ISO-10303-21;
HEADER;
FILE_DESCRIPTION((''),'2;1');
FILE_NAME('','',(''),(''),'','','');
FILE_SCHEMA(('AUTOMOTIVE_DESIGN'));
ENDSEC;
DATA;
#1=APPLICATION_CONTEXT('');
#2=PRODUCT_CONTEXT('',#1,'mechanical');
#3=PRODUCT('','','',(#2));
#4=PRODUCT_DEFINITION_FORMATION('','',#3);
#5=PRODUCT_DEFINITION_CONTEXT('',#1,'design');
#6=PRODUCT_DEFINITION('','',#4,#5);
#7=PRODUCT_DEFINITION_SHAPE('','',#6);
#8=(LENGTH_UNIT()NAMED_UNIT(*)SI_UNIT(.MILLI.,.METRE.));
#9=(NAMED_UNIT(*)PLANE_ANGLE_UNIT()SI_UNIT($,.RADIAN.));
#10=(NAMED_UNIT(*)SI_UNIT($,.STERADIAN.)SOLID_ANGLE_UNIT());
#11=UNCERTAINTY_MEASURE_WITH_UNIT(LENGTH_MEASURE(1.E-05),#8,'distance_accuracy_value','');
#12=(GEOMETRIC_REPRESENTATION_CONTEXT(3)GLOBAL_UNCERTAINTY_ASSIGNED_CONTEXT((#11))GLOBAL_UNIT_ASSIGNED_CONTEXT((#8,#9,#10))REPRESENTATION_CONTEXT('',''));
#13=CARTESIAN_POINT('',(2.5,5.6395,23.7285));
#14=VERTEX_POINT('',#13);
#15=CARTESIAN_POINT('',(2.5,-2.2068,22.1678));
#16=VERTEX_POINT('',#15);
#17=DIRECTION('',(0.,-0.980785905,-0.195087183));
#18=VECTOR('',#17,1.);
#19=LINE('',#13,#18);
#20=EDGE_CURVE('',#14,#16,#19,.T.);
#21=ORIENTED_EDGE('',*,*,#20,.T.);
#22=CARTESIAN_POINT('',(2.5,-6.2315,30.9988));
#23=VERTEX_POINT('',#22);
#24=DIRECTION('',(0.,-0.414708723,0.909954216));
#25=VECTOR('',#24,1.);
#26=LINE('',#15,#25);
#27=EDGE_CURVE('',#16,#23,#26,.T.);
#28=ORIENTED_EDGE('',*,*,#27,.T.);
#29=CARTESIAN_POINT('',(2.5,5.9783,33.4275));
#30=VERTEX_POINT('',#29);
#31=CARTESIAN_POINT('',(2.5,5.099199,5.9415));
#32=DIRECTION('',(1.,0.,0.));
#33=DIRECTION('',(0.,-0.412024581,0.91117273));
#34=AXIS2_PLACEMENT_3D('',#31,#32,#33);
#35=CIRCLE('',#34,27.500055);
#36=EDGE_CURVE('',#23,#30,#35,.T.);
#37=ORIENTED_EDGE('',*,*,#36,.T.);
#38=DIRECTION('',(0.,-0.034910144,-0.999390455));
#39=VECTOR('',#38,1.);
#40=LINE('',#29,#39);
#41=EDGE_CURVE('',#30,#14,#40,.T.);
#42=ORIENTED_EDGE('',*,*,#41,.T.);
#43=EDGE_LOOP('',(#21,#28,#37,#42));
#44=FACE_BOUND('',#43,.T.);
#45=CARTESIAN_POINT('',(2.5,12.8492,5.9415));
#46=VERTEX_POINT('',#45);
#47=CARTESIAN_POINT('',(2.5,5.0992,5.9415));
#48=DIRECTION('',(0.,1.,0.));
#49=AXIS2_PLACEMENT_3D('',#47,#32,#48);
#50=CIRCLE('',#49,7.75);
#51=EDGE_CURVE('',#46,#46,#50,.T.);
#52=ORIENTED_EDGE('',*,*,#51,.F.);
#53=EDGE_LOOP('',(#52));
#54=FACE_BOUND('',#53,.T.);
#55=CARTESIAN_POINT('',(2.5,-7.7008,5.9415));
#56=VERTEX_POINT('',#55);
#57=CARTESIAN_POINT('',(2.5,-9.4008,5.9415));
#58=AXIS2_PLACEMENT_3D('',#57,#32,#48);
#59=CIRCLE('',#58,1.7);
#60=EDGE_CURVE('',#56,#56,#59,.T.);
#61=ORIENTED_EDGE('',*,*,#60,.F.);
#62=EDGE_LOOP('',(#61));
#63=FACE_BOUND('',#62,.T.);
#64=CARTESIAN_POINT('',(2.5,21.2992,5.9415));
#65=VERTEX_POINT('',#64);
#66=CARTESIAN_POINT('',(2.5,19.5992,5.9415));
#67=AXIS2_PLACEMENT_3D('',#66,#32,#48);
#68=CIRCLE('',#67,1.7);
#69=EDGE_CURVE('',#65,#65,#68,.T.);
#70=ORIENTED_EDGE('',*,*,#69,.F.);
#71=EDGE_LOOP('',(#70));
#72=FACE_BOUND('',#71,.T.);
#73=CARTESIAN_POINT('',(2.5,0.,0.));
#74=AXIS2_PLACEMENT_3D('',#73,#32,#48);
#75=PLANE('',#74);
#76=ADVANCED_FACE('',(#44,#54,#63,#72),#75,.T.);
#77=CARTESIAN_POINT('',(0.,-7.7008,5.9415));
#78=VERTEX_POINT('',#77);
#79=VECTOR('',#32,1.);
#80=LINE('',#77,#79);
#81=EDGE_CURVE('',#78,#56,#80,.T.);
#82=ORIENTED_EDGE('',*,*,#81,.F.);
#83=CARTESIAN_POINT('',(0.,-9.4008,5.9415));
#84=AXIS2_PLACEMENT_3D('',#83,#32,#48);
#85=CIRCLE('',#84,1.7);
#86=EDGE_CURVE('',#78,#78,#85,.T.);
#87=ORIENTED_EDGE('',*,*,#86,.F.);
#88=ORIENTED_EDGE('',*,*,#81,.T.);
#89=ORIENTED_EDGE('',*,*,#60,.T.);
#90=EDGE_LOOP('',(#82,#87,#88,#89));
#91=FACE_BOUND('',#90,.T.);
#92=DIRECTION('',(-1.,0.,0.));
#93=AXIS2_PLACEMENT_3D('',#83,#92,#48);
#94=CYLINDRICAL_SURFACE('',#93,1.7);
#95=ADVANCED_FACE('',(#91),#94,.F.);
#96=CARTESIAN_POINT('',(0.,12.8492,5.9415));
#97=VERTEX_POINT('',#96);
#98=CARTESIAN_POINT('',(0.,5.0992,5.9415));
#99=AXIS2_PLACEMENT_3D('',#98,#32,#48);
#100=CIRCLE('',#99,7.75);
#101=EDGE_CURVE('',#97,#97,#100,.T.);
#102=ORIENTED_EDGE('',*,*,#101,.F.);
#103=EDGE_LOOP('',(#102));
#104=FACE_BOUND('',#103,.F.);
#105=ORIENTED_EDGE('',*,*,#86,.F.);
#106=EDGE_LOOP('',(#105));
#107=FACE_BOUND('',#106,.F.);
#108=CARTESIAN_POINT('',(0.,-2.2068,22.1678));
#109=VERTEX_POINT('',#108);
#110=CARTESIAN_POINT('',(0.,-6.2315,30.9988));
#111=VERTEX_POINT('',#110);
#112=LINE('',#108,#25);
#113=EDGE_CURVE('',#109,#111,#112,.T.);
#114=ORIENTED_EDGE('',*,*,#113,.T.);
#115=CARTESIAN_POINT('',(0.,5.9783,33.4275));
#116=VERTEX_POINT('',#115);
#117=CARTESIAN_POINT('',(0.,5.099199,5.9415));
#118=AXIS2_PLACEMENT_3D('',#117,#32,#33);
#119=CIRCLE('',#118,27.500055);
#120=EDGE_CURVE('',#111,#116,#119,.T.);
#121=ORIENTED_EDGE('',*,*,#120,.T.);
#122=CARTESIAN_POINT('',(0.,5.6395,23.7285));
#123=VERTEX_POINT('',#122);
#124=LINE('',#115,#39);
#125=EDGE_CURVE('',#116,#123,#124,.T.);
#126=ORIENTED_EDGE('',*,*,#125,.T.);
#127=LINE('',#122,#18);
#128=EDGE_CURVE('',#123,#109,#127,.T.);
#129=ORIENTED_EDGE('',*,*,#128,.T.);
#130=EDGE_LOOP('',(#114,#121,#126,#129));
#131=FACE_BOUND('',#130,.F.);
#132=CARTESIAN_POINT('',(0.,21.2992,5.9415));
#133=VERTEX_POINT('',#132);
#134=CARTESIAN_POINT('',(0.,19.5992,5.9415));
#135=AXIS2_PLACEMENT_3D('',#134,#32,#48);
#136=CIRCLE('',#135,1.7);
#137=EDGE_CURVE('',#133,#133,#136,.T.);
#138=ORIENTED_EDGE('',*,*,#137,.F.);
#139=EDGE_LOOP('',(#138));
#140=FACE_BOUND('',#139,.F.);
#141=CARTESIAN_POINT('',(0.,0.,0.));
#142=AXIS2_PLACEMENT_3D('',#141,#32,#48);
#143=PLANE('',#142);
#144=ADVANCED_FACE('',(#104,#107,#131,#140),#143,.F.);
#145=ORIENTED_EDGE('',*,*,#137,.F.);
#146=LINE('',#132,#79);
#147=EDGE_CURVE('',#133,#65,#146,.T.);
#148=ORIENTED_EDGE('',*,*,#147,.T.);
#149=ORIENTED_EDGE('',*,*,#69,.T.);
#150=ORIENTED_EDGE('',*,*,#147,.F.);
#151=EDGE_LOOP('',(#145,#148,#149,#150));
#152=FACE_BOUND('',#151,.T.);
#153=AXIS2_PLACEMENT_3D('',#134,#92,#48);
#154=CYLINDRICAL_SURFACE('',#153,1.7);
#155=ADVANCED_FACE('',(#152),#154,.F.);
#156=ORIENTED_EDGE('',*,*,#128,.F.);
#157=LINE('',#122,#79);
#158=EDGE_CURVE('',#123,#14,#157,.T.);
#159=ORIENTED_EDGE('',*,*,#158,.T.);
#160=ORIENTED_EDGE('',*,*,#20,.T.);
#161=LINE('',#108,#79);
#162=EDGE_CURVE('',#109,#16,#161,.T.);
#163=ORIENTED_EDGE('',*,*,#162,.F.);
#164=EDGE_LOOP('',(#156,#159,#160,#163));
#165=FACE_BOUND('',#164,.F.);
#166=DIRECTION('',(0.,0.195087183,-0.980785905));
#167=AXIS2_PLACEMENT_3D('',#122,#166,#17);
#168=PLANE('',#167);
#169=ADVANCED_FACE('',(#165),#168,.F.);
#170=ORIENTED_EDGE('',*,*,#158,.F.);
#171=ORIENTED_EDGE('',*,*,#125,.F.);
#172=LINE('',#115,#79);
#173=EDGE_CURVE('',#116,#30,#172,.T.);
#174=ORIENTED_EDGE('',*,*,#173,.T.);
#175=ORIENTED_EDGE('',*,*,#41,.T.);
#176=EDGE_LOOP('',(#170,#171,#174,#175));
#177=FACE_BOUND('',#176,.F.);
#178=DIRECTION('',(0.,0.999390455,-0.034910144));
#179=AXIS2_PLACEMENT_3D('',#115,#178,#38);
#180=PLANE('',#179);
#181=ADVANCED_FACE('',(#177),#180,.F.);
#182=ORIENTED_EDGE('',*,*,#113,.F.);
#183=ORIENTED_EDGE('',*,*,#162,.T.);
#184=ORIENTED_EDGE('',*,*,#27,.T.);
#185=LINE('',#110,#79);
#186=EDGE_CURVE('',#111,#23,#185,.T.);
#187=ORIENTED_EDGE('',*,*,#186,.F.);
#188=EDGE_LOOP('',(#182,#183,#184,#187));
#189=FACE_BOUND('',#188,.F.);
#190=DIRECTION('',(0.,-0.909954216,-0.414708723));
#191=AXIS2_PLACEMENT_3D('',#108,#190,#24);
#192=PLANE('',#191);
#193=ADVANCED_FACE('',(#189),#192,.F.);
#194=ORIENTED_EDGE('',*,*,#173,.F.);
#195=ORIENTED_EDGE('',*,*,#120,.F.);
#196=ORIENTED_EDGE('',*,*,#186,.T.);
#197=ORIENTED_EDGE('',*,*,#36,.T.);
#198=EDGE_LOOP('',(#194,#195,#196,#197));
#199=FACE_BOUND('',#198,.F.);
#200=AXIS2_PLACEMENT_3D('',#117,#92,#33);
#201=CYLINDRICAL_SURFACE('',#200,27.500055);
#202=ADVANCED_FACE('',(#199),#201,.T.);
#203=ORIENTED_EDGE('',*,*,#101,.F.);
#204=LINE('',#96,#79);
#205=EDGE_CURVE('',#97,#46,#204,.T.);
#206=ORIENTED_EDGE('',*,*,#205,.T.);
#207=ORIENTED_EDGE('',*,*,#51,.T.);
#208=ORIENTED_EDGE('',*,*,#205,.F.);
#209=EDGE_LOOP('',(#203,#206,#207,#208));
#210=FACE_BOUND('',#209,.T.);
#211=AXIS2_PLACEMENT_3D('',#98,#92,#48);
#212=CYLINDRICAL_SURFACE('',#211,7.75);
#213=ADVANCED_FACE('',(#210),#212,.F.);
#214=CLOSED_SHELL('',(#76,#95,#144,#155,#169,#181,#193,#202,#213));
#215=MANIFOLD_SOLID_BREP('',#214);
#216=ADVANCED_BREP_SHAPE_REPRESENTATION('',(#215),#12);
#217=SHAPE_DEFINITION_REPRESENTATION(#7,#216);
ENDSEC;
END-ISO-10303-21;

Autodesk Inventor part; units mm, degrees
ref_plane "YZ Plane" through (0, 0, 0) normal (1, 0, 0) x (0, 1, 0)
ref_plane "XZ Plane" through (0, 0, 0) normal (0, 1, 0) x (-1, 0, 0)
ref_plane "XY Plane" through (0, 0, 0) normal (0, 0, 1) x (1, 0, 0)
sketch "スケッチ1" plane through (0, 0, 0) normal (1, 0, 0) x (0, 1, 0)
  circle A0 centre (19.5992, 5.9415) radius 1.7
  circle A1 centre (-9.4008, 5.9415) radius 1.7
  line L0 (-2.2068, 22.1678) -> (-6.2315, 30.9988)
  arc A2 (-6.2315, 30.9988) -> (5.9783, 33.4275) centre (5.0992, 5.9415) ccw
  line L1 (5.6395, 23.7285) -> (-2.2068, 22.1678)
  circle A3 centre (5.0992, 5.9415) radius 7.75
  line L2 (5.9783, 33.4275) -> (5.6395, 23.7285)
  point P0 (0, 0)
extrude "押し出し1" add sketch "スケッチ1" along normal blind 2.5
properties part number "belt_liner_v2_3DP_P-2-F" material "ABS プラスチック"
